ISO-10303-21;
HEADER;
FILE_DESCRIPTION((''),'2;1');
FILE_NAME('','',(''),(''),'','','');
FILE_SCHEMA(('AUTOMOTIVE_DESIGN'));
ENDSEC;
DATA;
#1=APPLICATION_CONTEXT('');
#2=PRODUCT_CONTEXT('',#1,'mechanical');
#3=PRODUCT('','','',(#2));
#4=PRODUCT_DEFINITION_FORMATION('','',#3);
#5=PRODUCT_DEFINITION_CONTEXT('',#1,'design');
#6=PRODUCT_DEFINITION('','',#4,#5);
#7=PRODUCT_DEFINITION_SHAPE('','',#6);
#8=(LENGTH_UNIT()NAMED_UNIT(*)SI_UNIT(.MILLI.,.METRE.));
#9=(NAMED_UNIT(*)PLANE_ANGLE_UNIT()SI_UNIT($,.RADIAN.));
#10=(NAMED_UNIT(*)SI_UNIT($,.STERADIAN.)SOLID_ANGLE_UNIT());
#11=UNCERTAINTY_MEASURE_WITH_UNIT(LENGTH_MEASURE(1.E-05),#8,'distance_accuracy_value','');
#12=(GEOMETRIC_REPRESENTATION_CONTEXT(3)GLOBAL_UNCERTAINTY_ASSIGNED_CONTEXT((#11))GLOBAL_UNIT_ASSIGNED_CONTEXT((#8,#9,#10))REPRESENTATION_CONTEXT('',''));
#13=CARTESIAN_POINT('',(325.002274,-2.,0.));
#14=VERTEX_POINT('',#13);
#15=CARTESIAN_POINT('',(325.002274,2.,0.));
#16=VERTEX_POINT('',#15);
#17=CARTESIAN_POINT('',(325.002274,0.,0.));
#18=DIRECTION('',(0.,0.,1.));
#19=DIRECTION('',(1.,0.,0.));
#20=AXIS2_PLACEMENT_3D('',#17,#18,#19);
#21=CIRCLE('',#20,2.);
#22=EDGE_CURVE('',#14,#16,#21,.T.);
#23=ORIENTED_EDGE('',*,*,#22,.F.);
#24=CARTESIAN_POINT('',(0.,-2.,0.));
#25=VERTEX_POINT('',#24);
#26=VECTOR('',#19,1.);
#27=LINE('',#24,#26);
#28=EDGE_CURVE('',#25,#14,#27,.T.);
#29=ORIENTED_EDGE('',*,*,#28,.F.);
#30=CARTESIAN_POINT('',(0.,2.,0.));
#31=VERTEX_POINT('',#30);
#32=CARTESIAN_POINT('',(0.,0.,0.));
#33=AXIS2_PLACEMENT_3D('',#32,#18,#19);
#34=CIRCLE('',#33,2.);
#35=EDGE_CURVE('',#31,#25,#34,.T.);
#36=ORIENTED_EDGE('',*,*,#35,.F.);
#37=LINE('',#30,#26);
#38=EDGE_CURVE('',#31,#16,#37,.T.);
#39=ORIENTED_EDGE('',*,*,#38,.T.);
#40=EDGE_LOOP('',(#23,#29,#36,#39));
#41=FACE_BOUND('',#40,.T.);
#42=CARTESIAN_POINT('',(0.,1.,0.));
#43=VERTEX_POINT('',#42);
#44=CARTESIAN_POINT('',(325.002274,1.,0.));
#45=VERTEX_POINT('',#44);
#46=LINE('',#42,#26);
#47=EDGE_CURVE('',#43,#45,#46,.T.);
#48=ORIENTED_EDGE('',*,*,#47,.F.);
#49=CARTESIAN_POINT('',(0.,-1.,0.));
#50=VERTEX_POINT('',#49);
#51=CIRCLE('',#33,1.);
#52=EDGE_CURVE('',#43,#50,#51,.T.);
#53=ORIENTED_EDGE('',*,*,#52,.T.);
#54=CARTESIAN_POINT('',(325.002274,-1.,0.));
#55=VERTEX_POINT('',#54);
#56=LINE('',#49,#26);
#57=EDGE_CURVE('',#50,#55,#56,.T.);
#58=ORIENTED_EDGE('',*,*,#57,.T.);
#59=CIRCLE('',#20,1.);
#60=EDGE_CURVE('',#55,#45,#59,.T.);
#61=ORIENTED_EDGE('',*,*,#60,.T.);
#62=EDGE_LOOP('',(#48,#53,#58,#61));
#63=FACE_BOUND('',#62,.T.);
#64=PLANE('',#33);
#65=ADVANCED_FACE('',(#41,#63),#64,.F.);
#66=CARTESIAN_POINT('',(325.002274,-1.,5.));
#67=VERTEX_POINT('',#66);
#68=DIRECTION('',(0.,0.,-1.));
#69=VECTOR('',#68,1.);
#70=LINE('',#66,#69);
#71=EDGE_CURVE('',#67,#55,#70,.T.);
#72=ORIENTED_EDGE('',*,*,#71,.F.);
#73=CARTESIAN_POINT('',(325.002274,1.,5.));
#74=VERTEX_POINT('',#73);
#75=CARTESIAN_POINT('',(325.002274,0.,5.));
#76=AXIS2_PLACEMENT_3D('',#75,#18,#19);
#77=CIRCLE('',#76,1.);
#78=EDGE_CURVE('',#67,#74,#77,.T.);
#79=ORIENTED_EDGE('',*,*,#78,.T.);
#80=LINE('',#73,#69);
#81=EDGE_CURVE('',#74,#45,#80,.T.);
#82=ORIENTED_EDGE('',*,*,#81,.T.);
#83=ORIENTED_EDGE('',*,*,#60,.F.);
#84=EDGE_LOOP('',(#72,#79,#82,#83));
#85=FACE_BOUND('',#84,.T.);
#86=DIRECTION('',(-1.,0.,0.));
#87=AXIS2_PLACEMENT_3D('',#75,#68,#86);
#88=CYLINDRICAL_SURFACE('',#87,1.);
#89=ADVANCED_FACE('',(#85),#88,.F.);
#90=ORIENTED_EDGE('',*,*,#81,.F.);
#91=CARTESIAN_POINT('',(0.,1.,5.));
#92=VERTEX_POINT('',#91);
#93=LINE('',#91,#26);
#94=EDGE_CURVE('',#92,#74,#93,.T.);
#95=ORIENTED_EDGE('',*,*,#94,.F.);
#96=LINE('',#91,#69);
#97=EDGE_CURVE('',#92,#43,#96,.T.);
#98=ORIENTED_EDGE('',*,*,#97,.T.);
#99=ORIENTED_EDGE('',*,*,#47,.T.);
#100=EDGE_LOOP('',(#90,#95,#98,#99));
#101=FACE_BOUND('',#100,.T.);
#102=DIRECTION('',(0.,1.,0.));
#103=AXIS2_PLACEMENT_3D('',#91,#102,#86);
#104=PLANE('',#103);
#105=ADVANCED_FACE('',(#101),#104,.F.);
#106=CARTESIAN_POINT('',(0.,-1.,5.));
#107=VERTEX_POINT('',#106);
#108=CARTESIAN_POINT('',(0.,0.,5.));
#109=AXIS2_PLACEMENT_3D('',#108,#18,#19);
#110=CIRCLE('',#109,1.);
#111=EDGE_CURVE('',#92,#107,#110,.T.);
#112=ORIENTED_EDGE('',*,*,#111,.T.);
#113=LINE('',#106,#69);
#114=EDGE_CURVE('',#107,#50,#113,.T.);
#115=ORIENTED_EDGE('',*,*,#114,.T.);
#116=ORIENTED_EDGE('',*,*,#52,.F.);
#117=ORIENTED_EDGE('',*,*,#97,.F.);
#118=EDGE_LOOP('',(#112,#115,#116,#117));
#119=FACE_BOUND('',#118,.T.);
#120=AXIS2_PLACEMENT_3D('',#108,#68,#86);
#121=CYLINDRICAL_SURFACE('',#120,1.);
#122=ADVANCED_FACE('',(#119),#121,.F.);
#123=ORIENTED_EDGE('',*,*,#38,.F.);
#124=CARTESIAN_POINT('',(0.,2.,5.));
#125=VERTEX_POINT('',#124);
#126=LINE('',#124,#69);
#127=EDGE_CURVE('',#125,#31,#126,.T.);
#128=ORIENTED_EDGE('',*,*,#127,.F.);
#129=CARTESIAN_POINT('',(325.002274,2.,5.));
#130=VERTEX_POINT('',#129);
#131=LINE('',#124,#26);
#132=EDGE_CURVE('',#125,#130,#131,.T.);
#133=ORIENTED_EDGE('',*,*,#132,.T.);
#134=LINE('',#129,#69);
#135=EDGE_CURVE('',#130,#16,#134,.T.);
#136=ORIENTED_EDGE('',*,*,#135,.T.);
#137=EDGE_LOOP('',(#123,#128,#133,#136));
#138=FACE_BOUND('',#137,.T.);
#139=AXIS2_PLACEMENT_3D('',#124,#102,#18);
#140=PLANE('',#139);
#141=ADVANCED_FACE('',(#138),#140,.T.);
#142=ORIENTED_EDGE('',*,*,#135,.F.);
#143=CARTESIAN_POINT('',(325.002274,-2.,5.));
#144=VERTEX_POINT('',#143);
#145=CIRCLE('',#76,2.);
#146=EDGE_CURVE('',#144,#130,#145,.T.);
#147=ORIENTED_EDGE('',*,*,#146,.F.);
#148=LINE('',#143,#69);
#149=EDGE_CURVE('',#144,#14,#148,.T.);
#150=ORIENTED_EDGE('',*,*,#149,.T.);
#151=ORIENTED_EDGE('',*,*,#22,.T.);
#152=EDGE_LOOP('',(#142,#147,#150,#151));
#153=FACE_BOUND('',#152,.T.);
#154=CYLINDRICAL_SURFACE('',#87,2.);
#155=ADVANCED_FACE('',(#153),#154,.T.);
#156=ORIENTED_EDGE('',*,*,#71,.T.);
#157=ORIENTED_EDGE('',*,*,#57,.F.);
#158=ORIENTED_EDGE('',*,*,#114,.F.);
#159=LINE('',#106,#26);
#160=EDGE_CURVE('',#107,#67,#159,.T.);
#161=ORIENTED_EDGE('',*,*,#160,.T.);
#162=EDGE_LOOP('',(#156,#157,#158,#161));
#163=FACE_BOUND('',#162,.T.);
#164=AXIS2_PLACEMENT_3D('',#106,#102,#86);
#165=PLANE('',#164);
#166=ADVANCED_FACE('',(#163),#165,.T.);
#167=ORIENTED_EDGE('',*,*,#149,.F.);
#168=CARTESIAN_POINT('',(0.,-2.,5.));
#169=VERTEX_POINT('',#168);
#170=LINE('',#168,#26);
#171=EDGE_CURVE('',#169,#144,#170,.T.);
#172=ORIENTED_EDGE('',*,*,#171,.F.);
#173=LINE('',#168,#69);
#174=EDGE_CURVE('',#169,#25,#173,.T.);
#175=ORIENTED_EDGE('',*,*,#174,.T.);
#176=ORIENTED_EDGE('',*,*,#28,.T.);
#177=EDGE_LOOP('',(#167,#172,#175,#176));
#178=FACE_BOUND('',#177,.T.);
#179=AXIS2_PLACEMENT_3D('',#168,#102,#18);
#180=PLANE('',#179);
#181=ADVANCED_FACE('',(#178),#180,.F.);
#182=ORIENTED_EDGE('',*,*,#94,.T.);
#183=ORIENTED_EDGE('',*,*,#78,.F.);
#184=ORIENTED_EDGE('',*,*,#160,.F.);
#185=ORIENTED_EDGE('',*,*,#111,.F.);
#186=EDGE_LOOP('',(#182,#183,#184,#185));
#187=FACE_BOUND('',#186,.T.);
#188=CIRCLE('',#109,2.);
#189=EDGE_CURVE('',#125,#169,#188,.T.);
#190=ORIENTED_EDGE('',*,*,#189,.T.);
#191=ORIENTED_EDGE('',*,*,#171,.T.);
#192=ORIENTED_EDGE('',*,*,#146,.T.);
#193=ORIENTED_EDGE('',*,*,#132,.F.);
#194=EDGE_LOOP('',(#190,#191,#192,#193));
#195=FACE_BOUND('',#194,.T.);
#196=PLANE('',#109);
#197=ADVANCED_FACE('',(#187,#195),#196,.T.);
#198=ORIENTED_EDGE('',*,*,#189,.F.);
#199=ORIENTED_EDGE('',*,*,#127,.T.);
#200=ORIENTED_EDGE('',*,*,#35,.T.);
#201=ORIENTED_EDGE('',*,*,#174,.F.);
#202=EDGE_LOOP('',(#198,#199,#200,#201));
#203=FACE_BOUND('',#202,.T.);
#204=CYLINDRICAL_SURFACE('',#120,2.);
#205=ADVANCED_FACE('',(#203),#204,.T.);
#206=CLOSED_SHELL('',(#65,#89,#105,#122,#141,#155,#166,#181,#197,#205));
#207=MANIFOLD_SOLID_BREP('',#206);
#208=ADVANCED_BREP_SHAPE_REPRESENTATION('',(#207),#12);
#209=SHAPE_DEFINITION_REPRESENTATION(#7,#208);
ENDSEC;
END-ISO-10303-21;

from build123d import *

# Parameters (mm, degrees)
EXTRUDE_1_DEPTH = 5


with BuildPart() as part:
    # 草图1 → 凸台-拉伸1 (new body)
    with BuildSketch(Plane.XY):
        with BuildLine():
            Line((0, -2), (325.00227405, -2))
            ThreePointArc((325.00227405, -2), (327.00227405, 0), (325.00227405, 2))
            Line((325.00227405, 2), (0, 2))
            ThreePointArc((0, 2), (-2, 0), (0, -2))
        make_face()
        with BuildLine():
            ThreePointArc((325.00227405, 1), (326.00227405, 0), (325.00227405, -1))
            Line((325.00227405, -1), (0, -1))
            ThreePointArc((0, -1), (-1, 0), (0, 1))
            Line((0, 1), (325.00227405, 1))
        make_face(mode=Mode.SUBTRACT)
    extrude(amount=EXTRUDE_1_DEPTH)


solid = part.part
